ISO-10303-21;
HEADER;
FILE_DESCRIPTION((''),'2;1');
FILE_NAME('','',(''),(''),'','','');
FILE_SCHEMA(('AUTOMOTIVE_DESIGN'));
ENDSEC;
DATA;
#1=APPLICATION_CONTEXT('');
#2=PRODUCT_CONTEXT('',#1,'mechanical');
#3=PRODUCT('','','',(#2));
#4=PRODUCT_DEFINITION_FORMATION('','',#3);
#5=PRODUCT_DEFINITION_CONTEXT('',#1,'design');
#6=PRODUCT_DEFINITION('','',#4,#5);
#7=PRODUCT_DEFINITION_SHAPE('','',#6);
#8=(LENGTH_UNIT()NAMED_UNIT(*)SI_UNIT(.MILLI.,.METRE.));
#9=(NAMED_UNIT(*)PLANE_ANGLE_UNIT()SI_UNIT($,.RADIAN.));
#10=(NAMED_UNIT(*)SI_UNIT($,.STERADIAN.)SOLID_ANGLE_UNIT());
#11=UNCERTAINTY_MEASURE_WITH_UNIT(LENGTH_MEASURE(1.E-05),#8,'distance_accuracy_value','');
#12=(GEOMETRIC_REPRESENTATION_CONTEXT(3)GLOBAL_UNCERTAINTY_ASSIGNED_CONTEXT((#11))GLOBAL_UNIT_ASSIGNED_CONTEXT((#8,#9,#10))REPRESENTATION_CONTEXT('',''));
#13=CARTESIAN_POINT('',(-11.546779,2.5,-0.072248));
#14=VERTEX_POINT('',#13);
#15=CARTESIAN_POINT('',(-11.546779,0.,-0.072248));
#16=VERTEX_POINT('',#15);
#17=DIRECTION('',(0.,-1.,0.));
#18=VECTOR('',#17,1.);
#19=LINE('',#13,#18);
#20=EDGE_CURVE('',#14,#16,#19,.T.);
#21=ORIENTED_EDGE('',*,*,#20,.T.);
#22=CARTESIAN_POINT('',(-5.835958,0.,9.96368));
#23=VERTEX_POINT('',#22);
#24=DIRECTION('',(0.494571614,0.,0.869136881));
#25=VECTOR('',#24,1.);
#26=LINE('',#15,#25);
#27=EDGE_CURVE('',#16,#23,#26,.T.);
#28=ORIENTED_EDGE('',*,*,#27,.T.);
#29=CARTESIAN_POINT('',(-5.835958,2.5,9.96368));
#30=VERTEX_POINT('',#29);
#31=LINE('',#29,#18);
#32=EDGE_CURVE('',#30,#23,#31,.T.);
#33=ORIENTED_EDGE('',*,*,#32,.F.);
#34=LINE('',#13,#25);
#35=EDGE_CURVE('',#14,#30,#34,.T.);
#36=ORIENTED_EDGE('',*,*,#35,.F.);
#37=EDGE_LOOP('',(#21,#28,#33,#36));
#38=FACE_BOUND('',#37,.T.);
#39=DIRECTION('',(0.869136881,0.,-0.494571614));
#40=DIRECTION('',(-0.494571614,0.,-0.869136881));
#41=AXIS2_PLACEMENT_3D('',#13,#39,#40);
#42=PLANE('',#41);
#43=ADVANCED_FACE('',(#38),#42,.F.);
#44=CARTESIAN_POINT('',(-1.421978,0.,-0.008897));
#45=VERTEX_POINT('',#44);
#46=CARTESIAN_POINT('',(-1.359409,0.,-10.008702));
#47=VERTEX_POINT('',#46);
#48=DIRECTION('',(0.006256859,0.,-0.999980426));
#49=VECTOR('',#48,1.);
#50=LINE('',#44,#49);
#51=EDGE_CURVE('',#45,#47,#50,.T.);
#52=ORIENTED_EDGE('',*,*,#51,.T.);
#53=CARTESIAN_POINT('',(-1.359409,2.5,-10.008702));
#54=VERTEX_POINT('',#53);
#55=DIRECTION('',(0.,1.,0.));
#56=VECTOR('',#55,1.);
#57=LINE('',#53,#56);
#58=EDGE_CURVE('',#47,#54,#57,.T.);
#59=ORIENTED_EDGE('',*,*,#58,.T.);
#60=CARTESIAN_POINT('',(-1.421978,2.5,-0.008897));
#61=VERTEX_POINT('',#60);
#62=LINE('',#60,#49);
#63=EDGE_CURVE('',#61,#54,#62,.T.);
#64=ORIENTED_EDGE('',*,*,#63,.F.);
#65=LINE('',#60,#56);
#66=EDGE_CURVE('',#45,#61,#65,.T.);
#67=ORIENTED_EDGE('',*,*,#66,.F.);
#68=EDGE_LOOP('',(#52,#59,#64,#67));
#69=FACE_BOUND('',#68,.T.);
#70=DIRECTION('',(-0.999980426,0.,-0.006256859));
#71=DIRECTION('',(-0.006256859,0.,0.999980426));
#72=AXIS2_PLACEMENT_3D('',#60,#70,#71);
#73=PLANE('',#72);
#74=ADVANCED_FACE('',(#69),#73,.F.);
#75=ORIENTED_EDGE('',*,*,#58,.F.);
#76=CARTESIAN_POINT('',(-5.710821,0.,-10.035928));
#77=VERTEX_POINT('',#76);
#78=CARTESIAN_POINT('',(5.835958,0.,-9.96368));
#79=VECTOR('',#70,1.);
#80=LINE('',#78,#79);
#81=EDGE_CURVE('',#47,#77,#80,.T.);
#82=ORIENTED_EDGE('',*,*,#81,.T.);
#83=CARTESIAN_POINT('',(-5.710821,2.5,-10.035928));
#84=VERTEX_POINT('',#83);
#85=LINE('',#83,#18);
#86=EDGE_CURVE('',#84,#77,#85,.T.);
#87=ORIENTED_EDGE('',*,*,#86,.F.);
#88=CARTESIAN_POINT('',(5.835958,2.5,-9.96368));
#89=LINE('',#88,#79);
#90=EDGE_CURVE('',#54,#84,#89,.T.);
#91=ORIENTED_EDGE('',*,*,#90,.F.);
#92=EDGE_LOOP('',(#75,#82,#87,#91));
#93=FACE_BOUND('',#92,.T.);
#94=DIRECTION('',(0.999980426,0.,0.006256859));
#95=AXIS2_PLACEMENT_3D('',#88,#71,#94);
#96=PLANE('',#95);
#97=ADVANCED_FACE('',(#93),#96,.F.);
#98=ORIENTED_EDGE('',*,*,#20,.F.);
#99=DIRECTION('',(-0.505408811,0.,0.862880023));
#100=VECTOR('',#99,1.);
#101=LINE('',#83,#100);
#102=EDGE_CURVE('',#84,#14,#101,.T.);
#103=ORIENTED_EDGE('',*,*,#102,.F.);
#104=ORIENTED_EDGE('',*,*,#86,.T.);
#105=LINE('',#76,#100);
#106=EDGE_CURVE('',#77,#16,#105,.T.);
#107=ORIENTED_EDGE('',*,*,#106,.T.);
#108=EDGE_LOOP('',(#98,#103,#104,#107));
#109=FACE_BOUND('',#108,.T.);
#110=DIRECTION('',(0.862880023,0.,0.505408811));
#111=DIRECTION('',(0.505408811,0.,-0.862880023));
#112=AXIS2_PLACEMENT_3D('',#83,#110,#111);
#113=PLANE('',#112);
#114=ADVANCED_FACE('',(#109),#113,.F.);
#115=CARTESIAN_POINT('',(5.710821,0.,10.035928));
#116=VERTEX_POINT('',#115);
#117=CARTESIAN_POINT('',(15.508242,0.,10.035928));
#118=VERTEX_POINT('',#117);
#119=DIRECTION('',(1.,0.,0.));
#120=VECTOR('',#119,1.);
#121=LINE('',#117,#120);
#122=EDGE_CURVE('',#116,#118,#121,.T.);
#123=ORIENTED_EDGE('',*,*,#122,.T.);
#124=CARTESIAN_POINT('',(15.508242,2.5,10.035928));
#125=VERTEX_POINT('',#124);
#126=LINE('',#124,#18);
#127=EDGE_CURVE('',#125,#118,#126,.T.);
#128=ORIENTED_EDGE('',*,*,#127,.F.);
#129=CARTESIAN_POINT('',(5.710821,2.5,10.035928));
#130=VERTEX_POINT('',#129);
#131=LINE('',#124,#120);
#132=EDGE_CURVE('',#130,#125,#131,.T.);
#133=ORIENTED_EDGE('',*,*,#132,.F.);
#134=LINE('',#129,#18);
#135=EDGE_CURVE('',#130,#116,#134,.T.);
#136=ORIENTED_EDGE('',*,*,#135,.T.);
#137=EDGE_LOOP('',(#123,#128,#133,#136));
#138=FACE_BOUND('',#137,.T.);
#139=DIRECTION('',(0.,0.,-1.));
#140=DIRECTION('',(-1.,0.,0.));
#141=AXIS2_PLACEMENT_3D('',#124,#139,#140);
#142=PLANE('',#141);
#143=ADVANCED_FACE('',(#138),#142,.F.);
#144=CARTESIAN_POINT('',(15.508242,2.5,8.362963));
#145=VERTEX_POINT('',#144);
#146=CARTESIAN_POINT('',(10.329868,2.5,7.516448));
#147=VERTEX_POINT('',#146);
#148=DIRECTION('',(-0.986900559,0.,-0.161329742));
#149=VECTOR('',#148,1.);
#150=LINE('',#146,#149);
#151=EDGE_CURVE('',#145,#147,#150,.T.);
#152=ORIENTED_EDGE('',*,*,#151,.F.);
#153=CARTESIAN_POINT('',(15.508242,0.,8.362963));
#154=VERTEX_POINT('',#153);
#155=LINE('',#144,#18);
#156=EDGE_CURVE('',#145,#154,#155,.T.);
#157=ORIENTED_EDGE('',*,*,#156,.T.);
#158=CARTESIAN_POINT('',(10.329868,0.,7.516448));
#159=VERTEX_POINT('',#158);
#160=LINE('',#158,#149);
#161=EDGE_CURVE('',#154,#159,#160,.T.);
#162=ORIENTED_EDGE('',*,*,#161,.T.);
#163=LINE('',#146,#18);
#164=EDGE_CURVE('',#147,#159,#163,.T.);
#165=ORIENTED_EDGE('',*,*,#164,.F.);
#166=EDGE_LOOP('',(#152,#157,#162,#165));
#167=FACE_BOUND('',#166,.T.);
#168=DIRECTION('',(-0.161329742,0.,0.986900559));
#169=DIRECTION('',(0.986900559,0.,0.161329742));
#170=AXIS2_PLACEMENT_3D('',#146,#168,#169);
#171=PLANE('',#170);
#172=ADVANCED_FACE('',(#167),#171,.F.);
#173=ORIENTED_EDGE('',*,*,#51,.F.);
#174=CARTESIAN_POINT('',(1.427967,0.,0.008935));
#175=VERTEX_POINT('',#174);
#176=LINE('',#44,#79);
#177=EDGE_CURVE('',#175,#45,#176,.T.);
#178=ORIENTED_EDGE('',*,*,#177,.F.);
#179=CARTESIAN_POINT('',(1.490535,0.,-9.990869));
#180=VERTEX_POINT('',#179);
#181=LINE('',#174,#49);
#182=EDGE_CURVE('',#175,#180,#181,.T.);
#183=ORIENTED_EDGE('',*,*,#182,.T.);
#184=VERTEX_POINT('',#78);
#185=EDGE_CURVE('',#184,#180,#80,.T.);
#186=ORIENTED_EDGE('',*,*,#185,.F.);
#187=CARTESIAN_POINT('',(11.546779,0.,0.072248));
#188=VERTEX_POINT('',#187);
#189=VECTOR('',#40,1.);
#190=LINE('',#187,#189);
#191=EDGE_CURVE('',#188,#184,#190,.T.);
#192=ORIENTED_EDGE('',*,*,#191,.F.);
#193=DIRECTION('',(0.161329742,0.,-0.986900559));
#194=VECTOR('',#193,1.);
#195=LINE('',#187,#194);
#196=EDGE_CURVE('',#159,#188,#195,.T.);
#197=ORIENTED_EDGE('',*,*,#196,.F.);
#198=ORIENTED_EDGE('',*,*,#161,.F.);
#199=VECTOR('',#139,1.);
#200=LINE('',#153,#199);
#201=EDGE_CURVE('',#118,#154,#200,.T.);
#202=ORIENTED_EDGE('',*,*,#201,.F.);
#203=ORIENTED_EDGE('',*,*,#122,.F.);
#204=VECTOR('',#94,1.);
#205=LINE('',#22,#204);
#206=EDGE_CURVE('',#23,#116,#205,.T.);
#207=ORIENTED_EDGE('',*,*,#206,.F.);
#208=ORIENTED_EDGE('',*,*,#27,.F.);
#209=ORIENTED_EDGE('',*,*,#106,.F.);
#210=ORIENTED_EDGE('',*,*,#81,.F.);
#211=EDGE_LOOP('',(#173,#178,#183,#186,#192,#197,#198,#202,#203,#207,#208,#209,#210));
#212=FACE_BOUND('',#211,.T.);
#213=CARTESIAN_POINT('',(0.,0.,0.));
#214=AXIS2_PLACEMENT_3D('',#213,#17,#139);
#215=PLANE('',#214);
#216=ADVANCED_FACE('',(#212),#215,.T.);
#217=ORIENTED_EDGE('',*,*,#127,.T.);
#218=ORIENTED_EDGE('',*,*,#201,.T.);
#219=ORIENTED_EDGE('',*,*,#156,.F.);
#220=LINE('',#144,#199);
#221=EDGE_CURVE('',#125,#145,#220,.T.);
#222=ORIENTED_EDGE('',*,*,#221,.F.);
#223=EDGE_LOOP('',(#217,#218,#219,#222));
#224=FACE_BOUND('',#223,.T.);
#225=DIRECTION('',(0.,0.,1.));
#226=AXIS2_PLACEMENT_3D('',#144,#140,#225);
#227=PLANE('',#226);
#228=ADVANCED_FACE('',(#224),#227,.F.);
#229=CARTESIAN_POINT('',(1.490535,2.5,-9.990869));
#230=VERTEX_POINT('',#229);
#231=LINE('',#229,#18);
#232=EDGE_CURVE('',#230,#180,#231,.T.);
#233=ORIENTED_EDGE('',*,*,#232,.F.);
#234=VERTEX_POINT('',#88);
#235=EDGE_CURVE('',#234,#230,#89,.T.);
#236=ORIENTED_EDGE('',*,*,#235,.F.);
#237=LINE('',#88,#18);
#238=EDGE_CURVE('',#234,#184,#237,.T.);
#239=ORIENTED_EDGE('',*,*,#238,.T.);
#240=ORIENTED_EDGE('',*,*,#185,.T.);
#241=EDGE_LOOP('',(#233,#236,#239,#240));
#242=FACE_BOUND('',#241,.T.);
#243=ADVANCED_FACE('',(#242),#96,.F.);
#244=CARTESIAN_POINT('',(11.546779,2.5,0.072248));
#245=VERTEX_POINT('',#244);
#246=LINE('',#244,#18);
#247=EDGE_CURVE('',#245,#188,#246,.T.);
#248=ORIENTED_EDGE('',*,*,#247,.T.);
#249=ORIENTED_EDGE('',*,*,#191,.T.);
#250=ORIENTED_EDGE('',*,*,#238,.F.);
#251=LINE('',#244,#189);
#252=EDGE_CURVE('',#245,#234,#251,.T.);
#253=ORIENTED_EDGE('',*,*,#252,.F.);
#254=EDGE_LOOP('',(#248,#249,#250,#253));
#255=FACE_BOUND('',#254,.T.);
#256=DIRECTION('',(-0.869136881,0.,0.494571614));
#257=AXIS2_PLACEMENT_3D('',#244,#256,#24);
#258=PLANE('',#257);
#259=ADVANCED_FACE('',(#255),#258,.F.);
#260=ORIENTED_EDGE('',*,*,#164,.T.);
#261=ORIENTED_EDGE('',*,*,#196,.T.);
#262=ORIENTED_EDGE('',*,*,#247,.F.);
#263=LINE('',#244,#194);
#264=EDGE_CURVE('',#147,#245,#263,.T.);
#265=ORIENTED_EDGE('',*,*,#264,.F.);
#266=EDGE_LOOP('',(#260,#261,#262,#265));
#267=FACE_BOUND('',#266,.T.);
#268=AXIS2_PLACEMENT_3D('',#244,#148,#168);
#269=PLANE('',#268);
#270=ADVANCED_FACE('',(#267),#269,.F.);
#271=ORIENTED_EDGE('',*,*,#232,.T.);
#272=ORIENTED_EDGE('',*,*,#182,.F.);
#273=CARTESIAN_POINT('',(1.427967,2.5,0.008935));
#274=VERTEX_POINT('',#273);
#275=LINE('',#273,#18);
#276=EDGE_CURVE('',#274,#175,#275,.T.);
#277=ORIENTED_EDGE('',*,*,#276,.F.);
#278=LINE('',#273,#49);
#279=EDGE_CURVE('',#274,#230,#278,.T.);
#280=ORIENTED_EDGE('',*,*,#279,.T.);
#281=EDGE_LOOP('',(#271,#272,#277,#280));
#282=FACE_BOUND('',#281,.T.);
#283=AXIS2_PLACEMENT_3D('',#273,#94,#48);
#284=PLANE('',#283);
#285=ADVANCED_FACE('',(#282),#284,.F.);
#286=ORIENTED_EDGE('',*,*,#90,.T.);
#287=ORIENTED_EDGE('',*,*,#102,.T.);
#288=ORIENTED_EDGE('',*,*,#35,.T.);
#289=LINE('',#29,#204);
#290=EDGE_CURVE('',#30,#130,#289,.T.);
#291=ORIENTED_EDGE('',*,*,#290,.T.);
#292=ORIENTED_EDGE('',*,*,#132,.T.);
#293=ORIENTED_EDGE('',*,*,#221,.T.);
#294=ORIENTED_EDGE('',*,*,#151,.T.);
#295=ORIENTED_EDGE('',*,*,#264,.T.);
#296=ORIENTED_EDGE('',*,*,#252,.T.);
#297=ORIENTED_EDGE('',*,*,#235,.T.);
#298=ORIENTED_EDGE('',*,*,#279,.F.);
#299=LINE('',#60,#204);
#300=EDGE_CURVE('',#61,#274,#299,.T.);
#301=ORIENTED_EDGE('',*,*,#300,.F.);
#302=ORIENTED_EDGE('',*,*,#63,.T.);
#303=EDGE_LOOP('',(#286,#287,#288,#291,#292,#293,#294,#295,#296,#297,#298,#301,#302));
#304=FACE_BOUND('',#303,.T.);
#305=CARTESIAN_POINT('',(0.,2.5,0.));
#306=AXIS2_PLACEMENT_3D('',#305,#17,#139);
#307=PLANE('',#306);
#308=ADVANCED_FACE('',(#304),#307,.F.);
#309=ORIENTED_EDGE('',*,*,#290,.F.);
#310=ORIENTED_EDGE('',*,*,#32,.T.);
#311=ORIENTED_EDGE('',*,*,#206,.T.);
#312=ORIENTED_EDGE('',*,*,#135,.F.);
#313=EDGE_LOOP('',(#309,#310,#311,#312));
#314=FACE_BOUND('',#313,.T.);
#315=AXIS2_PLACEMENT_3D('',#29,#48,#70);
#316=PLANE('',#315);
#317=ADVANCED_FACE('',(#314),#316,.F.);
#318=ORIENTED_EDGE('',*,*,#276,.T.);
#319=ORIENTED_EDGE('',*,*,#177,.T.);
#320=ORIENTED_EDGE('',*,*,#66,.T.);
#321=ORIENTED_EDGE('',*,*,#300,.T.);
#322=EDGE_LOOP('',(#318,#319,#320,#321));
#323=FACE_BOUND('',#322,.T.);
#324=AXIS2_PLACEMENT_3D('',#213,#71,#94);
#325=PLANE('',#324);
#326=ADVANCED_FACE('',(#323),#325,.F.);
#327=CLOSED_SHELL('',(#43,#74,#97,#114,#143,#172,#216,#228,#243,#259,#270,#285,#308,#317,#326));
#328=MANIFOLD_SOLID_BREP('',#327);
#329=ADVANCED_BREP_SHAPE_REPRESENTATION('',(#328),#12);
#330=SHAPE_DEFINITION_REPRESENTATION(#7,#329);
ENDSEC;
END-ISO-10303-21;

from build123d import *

# Parameters (mm, degrees)
BOSS_EXTRUDE1_DEPTH = 2.5
SKETCH8_W           = 2.85
SKETCH8_H           = 2.5
CUT_EXTRUDE1_DEPTH  = 10


with BuildPart() as part:
    # Sketch1 → Boss-Extrude1 (new body)
    with BuildSketch(Plane(origin=(0, 0, 0), x_dir=(1, 0, 0), z_dir=(0, 1, 0))):
        Polygon((11.546779359, -0.072247979), (10.329867567, -7.516448352), (15.508241902, -8.362963017), (15.508241902, -10.035928246), (5.710821094, -10.035928246), (-5.835958265, -9.963680267), (-11.546779359, 0.072247979), (-5.710821094, 10.035928246), (5.835958265, 9.963680267), align=None)
    extrude(amount=BOSS_EXTRUDE1_DEPTH)

    # Sketch8 → Cut-Extrude1 (cut)
    with BuildSketch(Plane(origin=(0.062568585, 0, -9.999804257), x_dir=(-0.999980426, 0, -0.006256859), z_dir=(0.006256859, 0, -0.999980426))):
        with Locations((-0.002994616, 1.25)):
            Rectangle(SKETCH8_W, SKETCH8_H)
    extrude(amount=-CUT_EXTRUDE1_DEPTH, mode=Mode.SUBTRACT)


solid = part.part
